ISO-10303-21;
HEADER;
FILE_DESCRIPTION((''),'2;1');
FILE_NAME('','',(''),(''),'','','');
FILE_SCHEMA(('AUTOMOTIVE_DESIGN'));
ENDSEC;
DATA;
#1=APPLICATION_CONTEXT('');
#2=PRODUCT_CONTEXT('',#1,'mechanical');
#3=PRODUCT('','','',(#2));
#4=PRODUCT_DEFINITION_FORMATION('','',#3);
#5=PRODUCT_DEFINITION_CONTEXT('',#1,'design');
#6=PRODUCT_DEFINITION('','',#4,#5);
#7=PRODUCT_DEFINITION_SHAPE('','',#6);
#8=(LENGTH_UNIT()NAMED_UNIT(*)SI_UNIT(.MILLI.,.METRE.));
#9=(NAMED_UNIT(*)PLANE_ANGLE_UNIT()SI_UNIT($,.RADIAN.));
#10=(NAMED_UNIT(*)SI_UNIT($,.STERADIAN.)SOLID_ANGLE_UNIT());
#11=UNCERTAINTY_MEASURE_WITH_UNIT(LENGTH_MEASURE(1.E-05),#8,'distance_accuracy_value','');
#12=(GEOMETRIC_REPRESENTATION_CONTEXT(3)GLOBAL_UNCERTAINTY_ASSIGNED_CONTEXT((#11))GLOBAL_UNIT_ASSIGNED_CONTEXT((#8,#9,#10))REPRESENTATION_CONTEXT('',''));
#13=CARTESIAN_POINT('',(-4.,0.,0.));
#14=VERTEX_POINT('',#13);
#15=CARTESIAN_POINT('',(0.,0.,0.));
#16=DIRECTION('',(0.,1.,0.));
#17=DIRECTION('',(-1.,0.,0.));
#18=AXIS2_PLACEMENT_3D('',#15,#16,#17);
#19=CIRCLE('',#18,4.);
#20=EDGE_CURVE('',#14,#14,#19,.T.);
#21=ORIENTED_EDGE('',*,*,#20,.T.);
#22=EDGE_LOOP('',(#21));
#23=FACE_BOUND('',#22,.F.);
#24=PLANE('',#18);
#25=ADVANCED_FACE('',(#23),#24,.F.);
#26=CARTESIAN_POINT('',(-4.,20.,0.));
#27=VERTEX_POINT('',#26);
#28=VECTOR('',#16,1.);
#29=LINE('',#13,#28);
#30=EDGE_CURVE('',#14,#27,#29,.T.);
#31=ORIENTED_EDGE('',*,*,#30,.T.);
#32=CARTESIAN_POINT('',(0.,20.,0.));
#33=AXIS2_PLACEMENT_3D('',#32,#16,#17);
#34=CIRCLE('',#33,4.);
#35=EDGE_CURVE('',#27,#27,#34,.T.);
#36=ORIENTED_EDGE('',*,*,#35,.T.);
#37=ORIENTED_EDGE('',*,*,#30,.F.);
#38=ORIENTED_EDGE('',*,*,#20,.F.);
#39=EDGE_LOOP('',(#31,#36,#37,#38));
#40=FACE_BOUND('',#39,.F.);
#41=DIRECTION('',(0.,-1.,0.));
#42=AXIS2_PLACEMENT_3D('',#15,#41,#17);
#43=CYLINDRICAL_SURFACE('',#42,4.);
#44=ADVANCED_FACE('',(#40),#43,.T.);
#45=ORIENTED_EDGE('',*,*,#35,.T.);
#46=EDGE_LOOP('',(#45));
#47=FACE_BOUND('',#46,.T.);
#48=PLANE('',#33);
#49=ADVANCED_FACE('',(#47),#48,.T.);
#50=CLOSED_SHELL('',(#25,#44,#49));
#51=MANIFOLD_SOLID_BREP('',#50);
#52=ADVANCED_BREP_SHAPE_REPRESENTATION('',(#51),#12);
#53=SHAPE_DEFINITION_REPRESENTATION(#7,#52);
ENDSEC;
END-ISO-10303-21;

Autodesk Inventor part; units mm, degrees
ref_plane "YZ Plane" through (0, 0, 0) normal (1, 0, 0) x (0, 1, 0)
ref_plane "XZ Plane" through (0, 0, 0) normal (0, 1, 0) x (-1, 0, 0)
ref_plane "XY Plane" through (0, 0, 0) normal (0, 0, 1) x (1, 0, 0)
sketch "Sketch1" plane through (0, 0, 0) normal (0, 1, 0) x (-1, 0, 0)
  circle A0 centre (0, 0) radius 4
  dimension "d0" = 8
extrude "Extrusion1" add sketch "Sketch1" along normal blind 20
properties part number "Camera circuit board encasing" material "Rubber, Silicone"
